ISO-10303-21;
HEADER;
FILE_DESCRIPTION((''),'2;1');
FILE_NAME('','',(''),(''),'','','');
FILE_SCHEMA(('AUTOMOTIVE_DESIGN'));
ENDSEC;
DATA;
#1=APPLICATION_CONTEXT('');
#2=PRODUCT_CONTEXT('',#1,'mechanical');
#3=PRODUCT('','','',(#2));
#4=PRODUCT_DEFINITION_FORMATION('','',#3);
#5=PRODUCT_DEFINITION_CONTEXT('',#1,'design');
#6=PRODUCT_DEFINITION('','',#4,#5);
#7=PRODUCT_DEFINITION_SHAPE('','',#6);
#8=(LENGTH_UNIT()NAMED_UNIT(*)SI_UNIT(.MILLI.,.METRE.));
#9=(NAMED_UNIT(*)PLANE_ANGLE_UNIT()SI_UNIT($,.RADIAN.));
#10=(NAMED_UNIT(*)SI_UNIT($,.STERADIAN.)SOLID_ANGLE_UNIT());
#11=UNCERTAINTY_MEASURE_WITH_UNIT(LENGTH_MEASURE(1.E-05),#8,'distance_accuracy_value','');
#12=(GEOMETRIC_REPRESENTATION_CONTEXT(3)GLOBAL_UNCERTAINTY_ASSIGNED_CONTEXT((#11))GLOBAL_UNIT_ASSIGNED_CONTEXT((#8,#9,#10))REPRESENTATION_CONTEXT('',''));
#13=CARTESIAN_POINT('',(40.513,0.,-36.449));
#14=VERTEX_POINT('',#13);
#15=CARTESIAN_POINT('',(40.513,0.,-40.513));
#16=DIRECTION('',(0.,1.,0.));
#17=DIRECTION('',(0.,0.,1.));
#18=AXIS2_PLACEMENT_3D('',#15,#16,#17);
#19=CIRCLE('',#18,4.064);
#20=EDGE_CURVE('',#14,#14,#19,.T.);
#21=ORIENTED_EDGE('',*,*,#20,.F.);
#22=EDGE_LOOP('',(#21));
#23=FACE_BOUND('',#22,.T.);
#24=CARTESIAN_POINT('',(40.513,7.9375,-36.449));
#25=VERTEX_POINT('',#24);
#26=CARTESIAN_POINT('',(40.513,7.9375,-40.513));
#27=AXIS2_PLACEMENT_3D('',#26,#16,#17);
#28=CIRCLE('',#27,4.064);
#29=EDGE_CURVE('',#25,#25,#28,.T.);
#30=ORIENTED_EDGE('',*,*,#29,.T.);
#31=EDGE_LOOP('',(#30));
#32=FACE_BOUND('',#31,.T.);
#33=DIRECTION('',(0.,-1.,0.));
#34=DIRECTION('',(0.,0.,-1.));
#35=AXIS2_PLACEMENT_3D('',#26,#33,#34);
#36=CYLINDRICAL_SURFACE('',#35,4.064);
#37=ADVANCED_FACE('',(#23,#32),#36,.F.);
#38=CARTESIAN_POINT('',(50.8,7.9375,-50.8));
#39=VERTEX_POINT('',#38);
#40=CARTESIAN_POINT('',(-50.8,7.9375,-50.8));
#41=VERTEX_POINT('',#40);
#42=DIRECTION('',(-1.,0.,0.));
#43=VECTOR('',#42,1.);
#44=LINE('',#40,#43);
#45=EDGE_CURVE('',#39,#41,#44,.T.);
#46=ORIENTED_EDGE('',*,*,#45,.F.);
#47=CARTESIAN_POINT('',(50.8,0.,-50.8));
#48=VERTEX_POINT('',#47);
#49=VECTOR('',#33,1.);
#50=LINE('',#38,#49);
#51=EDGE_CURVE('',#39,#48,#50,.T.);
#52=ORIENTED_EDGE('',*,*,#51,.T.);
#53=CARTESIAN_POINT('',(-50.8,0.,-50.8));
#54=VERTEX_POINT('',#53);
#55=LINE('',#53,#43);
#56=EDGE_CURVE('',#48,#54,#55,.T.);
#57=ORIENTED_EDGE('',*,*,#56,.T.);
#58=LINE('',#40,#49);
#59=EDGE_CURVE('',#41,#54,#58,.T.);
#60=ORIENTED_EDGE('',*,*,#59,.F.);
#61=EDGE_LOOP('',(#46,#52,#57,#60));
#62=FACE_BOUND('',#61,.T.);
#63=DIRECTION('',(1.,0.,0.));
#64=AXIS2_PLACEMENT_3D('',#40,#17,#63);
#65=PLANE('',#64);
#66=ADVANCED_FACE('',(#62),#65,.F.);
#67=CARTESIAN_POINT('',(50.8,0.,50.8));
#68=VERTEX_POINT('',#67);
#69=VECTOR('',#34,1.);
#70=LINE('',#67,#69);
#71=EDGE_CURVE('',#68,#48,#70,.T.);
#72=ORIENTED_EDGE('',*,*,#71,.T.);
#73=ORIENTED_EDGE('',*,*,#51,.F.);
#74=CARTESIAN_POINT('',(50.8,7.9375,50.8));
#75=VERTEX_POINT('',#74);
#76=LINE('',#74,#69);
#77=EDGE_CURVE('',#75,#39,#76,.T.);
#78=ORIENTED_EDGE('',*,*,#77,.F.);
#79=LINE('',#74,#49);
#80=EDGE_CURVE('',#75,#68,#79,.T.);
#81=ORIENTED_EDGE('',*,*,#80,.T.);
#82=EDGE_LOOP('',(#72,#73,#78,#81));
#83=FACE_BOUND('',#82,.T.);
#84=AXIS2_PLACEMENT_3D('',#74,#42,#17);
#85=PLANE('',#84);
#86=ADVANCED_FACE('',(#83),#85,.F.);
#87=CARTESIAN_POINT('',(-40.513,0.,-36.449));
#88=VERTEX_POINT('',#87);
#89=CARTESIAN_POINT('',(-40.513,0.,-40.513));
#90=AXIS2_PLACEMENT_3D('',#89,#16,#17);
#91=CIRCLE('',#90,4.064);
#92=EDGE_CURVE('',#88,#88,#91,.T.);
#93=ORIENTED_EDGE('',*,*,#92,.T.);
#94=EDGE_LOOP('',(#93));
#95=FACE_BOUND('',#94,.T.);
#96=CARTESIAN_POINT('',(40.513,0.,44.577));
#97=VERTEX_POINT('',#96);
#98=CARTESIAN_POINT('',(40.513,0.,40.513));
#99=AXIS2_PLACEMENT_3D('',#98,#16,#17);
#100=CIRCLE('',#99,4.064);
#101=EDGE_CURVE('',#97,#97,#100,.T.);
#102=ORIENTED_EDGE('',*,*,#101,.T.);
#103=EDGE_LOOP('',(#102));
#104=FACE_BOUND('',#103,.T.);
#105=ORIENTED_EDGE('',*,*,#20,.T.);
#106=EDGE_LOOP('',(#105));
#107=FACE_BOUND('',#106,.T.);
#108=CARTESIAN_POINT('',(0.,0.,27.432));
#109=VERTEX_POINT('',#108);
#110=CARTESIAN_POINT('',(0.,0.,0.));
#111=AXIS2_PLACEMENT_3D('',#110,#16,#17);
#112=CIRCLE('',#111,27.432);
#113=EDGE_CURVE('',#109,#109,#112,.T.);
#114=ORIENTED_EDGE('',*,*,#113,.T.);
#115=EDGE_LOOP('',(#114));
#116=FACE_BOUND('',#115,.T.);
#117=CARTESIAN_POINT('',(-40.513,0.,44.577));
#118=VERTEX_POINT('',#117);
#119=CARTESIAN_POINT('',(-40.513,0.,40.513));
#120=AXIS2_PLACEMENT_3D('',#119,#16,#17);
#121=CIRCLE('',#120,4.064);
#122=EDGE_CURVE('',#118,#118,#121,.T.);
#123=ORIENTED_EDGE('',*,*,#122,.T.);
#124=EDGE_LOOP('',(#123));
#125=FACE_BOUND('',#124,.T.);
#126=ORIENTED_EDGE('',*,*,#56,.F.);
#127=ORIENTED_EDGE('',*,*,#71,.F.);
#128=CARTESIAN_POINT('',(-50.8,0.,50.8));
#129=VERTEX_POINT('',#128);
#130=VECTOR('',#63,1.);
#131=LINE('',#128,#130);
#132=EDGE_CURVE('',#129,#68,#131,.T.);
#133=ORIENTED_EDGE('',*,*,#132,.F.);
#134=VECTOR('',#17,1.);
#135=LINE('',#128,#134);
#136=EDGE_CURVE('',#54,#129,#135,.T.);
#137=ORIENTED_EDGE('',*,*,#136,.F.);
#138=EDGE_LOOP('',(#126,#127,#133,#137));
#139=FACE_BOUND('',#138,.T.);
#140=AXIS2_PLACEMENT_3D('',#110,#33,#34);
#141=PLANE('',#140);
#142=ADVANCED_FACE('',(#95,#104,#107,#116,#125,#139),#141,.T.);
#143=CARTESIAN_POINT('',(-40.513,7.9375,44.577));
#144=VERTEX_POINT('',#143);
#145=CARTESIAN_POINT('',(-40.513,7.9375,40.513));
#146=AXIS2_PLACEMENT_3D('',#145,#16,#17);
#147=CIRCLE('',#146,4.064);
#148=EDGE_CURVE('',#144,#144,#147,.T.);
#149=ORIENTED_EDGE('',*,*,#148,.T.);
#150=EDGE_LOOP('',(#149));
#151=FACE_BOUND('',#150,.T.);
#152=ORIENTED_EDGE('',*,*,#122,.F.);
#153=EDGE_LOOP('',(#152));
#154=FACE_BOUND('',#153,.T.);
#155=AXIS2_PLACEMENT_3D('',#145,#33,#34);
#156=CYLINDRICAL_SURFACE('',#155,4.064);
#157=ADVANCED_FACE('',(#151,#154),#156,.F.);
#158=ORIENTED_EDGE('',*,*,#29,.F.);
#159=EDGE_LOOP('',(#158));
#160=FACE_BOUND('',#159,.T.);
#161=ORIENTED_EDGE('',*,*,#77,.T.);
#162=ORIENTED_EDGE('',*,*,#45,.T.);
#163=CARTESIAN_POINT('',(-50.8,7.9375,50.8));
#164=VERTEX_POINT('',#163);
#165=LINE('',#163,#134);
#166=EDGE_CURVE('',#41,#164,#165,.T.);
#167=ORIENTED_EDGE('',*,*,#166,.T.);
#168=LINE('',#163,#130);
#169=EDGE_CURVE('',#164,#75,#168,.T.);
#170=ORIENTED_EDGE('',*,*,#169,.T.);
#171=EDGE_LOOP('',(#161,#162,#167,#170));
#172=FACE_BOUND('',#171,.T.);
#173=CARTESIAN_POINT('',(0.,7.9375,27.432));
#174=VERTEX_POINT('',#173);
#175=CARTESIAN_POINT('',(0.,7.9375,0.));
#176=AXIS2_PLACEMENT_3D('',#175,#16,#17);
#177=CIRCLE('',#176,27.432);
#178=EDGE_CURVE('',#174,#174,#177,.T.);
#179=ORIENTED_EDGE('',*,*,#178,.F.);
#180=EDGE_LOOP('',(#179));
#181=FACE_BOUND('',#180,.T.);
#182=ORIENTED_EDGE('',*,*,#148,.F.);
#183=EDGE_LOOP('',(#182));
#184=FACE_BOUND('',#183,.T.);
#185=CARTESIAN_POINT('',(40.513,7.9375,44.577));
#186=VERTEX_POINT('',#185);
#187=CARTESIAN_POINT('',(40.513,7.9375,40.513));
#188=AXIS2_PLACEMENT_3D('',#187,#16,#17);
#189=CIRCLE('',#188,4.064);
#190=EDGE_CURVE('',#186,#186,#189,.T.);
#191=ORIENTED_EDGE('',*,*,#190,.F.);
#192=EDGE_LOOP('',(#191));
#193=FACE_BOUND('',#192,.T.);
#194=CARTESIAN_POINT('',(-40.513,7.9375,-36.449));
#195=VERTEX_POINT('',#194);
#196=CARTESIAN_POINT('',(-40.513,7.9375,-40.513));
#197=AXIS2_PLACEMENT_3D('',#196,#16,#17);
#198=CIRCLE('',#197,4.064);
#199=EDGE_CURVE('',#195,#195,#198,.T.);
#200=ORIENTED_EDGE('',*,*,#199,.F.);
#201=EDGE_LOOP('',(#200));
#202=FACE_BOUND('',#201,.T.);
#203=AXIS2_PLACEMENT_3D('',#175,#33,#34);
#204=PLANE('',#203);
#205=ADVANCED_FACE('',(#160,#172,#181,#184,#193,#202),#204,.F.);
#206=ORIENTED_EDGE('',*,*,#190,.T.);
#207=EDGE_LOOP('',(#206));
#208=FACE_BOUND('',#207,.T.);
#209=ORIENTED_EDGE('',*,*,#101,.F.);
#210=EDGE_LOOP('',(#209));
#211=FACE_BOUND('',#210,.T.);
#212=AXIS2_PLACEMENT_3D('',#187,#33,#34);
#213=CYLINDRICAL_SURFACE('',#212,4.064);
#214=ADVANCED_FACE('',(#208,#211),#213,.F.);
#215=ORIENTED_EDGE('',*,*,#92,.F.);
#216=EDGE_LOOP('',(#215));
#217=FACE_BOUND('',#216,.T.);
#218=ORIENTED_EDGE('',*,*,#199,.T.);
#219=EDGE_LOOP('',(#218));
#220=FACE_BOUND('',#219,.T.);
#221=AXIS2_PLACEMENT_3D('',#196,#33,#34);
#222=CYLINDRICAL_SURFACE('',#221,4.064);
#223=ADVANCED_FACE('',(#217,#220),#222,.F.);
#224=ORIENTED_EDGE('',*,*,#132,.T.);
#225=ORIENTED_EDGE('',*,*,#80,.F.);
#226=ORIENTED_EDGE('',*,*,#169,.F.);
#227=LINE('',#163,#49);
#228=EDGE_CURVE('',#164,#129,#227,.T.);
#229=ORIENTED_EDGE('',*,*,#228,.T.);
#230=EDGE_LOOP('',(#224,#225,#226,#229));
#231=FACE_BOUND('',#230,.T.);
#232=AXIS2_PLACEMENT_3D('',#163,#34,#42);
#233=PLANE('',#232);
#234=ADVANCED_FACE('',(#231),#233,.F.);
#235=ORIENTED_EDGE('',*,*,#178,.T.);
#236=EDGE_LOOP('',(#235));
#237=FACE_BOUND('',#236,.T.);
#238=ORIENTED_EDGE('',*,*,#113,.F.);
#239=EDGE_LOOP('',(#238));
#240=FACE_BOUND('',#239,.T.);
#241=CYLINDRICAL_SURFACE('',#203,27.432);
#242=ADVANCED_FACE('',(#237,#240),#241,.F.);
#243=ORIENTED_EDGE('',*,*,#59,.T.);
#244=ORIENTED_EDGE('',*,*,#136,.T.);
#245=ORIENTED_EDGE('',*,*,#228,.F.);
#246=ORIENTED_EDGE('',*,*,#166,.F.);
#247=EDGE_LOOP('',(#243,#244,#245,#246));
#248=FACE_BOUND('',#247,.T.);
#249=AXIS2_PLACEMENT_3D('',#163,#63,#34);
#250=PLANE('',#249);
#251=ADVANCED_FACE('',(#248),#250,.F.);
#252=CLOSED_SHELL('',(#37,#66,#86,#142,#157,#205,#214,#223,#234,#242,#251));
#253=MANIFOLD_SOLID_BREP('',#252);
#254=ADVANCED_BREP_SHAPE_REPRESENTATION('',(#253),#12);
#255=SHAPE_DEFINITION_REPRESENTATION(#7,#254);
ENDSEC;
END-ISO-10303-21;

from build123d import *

# Parameters (mm, degrees)
SKETCH1_W           = 101.6
SKETCH1_H           = 101.6
SKETCH1_R           = 27.432
SKETCH1_R_2         = 4.064
BOSS_EXTRUDE1_DEPTH = 7.9375


with BuildPart() as part:
    # Sketch1 → Boss-Extrude1 (new body)
    with BuildSketch(Plane(origin=(0, 0, 0), x_dir=(1, 0, 0), z_dir=(0, 1, 0))):
        Rectangle(SKETCH1_W, SKETCH1_H)
        with Locations(Location((0, 0, 0), (0, 0, 270))):
            Circle(SKETCH1_R, mode=Mode.SUBTRACT)
        with Locations(Location((-40.513, 40.513, 0), (0, 0, 270))):
            Circle(SKETCH1_R_2, mode=Mode.SUBTRACT)
        with Locations(Location((40.513, 40.513, 0), (0, 0, 270))):
            Circle(SKETCH1_R_2, mode=Mode.SUBTRACT)
        with Locations(Location((-40.513, -40.513, 0), (0, 0, 270))):
            Circle(SKETCH1_R_2, mode=Mode.SUBTRACT)
        with Locations(Location((40.513, -40.513, 0), (0, 0, 270))):
            Circle(SKETCH1_R_2, mode=Mode.SUBTRACT)
    extrude(amount=BOSS_EXTRUDE1_DEPTH)


solid = part.part
